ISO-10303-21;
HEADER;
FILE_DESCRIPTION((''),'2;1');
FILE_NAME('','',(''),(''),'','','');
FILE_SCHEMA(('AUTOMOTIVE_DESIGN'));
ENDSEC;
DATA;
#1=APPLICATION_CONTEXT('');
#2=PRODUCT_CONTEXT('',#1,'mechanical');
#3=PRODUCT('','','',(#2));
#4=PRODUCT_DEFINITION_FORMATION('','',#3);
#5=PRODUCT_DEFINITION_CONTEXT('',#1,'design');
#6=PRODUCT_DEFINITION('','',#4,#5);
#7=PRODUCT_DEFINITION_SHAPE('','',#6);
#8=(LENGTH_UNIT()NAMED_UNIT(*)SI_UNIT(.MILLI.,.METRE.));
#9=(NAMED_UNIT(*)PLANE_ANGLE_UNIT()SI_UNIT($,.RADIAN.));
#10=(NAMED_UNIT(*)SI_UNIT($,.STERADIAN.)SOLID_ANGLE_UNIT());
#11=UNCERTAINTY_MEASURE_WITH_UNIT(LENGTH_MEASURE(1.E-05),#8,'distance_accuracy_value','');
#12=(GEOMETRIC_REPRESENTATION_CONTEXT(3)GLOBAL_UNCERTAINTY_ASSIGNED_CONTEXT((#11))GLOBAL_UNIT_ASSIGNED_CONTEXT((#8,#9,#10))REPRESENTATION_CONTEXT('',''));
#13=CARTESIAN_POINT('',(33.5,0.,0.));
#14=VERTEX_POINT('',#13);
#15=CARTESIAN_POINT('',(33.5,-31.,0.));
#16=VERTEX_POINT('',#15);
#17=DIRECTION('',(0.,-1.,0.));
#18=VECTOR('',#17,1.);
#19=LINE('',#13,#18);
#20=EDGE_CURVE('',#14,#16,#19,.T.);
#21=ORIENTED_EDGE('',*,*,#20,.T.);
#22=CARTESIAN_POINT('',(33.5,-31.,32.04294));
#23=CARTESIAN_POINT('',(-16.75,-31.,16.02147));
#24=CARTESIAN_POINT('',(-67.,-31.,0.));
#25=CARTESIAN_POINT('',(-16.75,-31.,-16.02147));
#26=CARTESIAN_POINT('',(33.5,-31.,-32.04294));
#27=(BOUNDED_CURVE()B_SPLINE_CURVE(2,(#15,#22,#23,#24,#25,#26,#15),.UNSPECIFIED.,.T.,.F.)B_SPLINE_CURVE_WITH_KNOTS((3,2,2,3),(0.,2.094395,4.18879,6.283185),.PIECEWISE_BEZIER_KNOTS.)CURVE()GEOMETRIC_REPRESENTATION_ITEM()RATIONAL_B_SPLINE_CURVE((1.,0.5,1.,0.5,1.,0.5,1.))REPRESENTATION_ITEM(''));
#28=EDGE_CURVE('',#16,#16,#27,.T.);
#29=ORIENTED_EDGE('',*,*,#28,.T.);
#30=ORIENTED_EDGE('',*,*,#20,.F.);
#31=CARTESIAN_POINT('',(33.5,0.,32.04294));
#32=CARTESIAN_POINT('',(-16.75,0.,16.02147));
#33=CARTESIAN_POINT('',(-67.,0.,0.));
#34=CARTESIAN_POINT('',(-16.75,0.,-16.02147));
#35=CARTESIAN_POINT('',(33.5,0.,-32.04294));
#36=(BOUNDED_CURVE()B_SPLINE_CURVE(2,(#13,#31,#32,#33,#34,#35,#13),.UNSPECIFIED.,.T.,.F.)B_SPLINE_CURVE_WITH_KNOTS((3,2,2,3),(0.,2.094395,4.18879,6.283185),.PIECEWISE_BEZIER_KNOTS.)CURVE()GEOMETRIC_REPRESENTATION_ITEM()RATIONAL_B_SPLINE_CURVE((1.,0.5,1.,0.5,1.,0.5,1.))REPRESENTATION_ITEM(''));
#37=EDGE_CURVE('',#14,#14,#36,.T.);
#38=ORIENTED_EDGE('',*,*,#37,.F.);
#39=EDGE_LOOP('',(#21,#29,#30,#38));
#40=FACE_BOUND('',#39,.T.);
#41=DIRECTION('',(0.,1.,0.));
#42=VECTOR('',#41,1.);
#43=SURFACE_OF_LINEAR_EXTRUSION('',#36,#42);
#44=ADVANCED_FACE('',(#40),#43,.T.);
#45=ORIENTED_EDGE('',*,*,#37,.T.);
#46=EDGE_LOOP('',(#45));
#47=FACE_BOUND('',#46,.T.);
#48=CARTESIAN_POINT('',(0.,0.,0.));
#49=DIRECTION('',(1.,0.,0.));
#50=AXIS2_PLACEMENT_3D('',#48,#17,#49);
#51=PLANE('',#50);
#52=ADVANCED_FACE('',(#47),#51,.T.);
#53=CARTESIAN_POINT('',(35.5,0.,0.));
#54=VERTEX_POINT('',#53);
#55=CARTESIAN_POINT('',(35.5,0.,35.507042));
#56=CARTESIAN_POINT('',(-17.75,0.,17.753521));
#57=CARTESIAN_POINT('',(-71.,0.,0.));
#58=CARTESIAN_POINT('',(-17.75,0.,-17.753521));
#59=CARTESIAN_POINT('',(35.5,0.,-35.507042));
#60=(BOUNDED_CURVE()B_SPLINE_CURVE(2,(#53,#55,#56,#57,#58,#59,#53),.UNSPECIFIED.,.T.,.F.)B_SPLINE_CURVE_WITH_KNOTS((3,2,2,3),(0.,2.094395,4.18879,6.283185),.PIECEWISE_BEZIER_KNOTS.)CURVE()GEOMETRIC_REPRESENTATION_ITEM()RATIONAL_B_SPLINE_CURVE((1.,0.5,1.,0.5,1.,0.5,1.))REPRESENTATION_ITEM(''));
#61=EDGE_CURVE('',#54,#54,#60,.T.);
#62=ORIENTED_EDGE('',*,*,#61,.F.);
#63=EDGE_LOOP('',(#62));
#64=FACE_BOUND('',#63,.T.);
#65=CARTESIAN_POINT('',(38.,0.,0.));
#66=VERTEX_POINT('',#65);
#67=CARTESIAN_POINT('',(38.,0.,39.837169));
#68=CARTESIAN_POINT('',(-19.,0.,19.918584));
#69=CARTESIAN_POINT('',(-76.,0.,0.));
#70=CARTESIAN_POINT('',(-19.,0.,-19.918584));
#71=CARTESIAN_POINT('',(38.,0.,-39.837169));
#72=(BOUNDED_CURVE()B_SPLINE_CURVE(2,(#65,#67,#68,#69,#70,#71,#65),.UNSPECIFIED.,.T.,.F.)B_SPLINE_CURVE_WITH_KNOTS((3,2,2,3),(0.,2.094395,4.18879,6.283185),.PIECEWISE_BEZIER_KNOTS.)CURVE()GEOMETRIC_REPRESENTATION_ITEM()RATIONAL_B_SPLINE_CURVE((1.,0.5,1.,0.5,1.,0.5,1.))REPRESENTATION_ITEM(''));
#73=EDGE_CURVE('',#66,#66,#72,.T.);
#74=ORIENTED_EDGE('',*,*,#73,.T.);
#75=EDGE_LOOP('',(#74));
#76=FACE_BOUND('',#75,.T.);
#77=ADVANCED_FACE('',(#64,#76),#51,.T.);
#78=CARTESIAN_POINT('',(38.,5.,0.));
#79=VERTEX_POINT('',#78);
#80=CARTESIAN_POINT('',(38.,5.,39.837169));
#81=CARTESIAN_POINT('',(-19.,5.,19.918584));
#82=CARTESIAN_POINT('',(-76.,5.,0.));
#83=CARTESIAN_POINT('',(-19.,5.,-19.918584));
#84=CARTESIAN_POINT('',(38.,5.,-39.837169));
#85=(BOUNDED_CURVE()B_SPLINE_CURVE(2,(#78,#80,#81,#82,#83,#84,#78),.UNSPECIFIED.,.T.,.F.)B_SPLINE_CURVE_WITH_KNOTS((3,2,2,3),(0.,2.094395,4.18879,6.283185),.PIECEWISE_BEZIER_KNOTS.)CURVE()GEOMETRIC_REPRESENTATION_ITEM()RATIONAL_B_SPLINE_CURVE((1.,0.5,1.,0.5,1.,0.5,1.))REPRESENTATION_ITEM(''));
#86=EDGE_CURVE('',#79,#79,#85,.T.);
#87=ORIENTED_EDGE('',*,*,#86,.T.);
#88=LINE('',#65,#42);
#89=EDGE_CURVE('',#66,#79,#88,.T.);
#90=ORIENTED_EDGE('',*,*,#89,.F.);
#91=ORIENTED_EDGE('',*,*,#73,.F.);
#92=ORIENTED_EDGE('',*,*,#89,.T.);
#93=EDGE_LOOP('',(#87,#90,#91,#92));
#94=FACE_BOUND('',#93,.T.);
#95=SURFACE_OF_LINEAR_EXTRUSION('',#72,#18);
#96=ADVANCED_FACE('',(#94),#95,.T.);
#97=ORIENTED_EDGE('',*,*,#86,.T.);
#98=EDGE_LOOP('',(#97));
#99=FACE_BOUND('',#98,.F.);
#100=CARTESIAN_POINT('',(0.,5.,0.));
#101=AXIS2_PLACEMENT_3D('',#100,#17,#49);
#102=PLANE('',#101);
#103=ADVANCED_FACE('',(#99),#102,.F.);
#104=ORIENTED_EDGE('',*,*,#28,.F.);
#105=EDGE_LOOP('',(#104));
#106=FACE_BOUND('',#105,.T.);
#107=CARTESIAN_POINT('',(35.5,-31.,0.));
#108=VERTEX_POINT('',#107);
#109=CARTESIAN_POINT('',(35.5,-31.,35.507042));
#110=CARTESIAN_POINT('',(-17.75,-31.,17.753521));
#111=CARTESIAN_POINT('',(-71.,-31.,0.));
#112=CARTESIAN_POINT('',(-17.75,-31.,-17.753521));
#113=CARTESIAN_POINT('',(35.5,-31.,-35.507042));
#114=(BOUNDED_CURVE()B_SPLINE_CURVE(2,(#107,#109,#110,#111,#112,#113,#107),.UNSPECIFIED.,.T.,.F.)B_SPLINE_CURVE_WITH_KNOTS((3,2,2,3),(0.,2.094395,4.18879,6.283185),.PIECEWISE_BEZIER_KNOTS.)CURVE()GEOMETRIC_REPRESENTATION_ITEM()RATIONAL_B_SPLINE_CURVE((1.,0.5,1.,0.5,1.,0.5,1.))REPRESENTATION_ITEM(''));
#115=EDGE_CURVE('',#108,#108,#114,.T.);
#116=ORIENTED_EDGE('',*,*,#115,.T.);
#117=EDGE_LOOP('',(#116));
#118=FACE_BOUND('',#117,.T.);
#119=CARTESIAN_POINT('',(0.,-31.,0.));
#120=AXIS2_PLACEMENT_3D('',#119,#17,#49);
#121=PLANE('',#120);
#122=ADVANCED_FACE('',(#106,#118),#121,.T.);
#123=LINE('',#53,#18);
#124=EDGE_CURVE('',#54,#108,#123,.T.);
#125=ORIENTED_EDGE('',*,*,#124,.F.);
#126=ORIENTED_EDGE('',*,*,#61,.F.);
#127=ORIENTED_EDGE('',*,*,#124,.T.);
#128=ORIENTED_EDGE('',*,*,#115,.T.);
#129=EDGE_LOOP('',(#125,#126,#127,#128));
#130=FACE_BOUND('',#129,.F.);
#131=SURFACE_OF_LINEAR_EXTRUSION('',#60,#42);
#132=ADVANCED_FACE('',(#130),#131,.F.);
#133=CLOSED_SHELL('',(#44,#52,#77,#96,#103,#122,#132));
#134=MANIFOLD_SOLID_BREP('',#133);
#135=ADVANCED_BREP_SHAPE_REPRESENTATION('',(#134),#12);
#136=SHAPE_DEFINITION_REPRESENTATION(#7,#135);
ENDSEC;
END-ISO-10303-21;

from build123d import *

# Parameters (mm, degrees)
F1_DEPTH = 31
F3_DEPTH = 5


with BuildPart() as f1:
    # F0 (on Front) → F1 (new body)
    with BuildSketch(Plane.XZ):
        with BuildLine():
            add(Edge.make_bspline(
                [(35.5, 0), (35.5, 35.507042), (-17.75, 17.753521), (-71, 0), (-17.75, -17.753521), (35.5, -35.507042), (35.5, 0)],
                knots=[0, 0, 0, 2.094395, 2.094395, 4.18879, 4.18879, 6.283185, 6.283185, 6.283185], degree=2, weights=[1, 0.5, 1, 0.5, 1, 0.5, 1]))
        make_face()
        with BuildLine():
            add(Edge.make_bspline(
                [(33.5, 0), (33.5, 32.04294), (-16.75, 16.02147), (-67, 0), (-16.75, -16.02147), (33.5, -32.04294), (33.5, 0)],
                knots=[0, 0, 0, 2.094395, 2.094395, 4.18879, 4.18879, 6.283185, 6.283185, 6.283185], degree=2, weights=[1, 0.5, 1, 0.5, 1, 0.5, 1]))
        make_face(mode=Mode.SUBTRACT)
    extrude(amount=F1_DEPTH)

    # F2 (on Front) → F3 (join)
    with BuildSketch(Plane.XZ):
        with BuildLine():
            add(Edge.make_bspline(
                [(38, 0), (38, 39.837169), (-19, 19.918584), (-76, 0), (-19, -19.918584), (38, -39.837169), (38, 0)],
                knots=[0, 0, 0, 2.094395, 2.094395, 4.18879, 4.18879, 6.283185, 6.283185, 6.283185], degree=2, weights=[1, 0.5, 1, 0.5, 1, 0.5, 1]))
        make_face()
    extrude(amount=-F3_DEPTH)


solid = f1.part
